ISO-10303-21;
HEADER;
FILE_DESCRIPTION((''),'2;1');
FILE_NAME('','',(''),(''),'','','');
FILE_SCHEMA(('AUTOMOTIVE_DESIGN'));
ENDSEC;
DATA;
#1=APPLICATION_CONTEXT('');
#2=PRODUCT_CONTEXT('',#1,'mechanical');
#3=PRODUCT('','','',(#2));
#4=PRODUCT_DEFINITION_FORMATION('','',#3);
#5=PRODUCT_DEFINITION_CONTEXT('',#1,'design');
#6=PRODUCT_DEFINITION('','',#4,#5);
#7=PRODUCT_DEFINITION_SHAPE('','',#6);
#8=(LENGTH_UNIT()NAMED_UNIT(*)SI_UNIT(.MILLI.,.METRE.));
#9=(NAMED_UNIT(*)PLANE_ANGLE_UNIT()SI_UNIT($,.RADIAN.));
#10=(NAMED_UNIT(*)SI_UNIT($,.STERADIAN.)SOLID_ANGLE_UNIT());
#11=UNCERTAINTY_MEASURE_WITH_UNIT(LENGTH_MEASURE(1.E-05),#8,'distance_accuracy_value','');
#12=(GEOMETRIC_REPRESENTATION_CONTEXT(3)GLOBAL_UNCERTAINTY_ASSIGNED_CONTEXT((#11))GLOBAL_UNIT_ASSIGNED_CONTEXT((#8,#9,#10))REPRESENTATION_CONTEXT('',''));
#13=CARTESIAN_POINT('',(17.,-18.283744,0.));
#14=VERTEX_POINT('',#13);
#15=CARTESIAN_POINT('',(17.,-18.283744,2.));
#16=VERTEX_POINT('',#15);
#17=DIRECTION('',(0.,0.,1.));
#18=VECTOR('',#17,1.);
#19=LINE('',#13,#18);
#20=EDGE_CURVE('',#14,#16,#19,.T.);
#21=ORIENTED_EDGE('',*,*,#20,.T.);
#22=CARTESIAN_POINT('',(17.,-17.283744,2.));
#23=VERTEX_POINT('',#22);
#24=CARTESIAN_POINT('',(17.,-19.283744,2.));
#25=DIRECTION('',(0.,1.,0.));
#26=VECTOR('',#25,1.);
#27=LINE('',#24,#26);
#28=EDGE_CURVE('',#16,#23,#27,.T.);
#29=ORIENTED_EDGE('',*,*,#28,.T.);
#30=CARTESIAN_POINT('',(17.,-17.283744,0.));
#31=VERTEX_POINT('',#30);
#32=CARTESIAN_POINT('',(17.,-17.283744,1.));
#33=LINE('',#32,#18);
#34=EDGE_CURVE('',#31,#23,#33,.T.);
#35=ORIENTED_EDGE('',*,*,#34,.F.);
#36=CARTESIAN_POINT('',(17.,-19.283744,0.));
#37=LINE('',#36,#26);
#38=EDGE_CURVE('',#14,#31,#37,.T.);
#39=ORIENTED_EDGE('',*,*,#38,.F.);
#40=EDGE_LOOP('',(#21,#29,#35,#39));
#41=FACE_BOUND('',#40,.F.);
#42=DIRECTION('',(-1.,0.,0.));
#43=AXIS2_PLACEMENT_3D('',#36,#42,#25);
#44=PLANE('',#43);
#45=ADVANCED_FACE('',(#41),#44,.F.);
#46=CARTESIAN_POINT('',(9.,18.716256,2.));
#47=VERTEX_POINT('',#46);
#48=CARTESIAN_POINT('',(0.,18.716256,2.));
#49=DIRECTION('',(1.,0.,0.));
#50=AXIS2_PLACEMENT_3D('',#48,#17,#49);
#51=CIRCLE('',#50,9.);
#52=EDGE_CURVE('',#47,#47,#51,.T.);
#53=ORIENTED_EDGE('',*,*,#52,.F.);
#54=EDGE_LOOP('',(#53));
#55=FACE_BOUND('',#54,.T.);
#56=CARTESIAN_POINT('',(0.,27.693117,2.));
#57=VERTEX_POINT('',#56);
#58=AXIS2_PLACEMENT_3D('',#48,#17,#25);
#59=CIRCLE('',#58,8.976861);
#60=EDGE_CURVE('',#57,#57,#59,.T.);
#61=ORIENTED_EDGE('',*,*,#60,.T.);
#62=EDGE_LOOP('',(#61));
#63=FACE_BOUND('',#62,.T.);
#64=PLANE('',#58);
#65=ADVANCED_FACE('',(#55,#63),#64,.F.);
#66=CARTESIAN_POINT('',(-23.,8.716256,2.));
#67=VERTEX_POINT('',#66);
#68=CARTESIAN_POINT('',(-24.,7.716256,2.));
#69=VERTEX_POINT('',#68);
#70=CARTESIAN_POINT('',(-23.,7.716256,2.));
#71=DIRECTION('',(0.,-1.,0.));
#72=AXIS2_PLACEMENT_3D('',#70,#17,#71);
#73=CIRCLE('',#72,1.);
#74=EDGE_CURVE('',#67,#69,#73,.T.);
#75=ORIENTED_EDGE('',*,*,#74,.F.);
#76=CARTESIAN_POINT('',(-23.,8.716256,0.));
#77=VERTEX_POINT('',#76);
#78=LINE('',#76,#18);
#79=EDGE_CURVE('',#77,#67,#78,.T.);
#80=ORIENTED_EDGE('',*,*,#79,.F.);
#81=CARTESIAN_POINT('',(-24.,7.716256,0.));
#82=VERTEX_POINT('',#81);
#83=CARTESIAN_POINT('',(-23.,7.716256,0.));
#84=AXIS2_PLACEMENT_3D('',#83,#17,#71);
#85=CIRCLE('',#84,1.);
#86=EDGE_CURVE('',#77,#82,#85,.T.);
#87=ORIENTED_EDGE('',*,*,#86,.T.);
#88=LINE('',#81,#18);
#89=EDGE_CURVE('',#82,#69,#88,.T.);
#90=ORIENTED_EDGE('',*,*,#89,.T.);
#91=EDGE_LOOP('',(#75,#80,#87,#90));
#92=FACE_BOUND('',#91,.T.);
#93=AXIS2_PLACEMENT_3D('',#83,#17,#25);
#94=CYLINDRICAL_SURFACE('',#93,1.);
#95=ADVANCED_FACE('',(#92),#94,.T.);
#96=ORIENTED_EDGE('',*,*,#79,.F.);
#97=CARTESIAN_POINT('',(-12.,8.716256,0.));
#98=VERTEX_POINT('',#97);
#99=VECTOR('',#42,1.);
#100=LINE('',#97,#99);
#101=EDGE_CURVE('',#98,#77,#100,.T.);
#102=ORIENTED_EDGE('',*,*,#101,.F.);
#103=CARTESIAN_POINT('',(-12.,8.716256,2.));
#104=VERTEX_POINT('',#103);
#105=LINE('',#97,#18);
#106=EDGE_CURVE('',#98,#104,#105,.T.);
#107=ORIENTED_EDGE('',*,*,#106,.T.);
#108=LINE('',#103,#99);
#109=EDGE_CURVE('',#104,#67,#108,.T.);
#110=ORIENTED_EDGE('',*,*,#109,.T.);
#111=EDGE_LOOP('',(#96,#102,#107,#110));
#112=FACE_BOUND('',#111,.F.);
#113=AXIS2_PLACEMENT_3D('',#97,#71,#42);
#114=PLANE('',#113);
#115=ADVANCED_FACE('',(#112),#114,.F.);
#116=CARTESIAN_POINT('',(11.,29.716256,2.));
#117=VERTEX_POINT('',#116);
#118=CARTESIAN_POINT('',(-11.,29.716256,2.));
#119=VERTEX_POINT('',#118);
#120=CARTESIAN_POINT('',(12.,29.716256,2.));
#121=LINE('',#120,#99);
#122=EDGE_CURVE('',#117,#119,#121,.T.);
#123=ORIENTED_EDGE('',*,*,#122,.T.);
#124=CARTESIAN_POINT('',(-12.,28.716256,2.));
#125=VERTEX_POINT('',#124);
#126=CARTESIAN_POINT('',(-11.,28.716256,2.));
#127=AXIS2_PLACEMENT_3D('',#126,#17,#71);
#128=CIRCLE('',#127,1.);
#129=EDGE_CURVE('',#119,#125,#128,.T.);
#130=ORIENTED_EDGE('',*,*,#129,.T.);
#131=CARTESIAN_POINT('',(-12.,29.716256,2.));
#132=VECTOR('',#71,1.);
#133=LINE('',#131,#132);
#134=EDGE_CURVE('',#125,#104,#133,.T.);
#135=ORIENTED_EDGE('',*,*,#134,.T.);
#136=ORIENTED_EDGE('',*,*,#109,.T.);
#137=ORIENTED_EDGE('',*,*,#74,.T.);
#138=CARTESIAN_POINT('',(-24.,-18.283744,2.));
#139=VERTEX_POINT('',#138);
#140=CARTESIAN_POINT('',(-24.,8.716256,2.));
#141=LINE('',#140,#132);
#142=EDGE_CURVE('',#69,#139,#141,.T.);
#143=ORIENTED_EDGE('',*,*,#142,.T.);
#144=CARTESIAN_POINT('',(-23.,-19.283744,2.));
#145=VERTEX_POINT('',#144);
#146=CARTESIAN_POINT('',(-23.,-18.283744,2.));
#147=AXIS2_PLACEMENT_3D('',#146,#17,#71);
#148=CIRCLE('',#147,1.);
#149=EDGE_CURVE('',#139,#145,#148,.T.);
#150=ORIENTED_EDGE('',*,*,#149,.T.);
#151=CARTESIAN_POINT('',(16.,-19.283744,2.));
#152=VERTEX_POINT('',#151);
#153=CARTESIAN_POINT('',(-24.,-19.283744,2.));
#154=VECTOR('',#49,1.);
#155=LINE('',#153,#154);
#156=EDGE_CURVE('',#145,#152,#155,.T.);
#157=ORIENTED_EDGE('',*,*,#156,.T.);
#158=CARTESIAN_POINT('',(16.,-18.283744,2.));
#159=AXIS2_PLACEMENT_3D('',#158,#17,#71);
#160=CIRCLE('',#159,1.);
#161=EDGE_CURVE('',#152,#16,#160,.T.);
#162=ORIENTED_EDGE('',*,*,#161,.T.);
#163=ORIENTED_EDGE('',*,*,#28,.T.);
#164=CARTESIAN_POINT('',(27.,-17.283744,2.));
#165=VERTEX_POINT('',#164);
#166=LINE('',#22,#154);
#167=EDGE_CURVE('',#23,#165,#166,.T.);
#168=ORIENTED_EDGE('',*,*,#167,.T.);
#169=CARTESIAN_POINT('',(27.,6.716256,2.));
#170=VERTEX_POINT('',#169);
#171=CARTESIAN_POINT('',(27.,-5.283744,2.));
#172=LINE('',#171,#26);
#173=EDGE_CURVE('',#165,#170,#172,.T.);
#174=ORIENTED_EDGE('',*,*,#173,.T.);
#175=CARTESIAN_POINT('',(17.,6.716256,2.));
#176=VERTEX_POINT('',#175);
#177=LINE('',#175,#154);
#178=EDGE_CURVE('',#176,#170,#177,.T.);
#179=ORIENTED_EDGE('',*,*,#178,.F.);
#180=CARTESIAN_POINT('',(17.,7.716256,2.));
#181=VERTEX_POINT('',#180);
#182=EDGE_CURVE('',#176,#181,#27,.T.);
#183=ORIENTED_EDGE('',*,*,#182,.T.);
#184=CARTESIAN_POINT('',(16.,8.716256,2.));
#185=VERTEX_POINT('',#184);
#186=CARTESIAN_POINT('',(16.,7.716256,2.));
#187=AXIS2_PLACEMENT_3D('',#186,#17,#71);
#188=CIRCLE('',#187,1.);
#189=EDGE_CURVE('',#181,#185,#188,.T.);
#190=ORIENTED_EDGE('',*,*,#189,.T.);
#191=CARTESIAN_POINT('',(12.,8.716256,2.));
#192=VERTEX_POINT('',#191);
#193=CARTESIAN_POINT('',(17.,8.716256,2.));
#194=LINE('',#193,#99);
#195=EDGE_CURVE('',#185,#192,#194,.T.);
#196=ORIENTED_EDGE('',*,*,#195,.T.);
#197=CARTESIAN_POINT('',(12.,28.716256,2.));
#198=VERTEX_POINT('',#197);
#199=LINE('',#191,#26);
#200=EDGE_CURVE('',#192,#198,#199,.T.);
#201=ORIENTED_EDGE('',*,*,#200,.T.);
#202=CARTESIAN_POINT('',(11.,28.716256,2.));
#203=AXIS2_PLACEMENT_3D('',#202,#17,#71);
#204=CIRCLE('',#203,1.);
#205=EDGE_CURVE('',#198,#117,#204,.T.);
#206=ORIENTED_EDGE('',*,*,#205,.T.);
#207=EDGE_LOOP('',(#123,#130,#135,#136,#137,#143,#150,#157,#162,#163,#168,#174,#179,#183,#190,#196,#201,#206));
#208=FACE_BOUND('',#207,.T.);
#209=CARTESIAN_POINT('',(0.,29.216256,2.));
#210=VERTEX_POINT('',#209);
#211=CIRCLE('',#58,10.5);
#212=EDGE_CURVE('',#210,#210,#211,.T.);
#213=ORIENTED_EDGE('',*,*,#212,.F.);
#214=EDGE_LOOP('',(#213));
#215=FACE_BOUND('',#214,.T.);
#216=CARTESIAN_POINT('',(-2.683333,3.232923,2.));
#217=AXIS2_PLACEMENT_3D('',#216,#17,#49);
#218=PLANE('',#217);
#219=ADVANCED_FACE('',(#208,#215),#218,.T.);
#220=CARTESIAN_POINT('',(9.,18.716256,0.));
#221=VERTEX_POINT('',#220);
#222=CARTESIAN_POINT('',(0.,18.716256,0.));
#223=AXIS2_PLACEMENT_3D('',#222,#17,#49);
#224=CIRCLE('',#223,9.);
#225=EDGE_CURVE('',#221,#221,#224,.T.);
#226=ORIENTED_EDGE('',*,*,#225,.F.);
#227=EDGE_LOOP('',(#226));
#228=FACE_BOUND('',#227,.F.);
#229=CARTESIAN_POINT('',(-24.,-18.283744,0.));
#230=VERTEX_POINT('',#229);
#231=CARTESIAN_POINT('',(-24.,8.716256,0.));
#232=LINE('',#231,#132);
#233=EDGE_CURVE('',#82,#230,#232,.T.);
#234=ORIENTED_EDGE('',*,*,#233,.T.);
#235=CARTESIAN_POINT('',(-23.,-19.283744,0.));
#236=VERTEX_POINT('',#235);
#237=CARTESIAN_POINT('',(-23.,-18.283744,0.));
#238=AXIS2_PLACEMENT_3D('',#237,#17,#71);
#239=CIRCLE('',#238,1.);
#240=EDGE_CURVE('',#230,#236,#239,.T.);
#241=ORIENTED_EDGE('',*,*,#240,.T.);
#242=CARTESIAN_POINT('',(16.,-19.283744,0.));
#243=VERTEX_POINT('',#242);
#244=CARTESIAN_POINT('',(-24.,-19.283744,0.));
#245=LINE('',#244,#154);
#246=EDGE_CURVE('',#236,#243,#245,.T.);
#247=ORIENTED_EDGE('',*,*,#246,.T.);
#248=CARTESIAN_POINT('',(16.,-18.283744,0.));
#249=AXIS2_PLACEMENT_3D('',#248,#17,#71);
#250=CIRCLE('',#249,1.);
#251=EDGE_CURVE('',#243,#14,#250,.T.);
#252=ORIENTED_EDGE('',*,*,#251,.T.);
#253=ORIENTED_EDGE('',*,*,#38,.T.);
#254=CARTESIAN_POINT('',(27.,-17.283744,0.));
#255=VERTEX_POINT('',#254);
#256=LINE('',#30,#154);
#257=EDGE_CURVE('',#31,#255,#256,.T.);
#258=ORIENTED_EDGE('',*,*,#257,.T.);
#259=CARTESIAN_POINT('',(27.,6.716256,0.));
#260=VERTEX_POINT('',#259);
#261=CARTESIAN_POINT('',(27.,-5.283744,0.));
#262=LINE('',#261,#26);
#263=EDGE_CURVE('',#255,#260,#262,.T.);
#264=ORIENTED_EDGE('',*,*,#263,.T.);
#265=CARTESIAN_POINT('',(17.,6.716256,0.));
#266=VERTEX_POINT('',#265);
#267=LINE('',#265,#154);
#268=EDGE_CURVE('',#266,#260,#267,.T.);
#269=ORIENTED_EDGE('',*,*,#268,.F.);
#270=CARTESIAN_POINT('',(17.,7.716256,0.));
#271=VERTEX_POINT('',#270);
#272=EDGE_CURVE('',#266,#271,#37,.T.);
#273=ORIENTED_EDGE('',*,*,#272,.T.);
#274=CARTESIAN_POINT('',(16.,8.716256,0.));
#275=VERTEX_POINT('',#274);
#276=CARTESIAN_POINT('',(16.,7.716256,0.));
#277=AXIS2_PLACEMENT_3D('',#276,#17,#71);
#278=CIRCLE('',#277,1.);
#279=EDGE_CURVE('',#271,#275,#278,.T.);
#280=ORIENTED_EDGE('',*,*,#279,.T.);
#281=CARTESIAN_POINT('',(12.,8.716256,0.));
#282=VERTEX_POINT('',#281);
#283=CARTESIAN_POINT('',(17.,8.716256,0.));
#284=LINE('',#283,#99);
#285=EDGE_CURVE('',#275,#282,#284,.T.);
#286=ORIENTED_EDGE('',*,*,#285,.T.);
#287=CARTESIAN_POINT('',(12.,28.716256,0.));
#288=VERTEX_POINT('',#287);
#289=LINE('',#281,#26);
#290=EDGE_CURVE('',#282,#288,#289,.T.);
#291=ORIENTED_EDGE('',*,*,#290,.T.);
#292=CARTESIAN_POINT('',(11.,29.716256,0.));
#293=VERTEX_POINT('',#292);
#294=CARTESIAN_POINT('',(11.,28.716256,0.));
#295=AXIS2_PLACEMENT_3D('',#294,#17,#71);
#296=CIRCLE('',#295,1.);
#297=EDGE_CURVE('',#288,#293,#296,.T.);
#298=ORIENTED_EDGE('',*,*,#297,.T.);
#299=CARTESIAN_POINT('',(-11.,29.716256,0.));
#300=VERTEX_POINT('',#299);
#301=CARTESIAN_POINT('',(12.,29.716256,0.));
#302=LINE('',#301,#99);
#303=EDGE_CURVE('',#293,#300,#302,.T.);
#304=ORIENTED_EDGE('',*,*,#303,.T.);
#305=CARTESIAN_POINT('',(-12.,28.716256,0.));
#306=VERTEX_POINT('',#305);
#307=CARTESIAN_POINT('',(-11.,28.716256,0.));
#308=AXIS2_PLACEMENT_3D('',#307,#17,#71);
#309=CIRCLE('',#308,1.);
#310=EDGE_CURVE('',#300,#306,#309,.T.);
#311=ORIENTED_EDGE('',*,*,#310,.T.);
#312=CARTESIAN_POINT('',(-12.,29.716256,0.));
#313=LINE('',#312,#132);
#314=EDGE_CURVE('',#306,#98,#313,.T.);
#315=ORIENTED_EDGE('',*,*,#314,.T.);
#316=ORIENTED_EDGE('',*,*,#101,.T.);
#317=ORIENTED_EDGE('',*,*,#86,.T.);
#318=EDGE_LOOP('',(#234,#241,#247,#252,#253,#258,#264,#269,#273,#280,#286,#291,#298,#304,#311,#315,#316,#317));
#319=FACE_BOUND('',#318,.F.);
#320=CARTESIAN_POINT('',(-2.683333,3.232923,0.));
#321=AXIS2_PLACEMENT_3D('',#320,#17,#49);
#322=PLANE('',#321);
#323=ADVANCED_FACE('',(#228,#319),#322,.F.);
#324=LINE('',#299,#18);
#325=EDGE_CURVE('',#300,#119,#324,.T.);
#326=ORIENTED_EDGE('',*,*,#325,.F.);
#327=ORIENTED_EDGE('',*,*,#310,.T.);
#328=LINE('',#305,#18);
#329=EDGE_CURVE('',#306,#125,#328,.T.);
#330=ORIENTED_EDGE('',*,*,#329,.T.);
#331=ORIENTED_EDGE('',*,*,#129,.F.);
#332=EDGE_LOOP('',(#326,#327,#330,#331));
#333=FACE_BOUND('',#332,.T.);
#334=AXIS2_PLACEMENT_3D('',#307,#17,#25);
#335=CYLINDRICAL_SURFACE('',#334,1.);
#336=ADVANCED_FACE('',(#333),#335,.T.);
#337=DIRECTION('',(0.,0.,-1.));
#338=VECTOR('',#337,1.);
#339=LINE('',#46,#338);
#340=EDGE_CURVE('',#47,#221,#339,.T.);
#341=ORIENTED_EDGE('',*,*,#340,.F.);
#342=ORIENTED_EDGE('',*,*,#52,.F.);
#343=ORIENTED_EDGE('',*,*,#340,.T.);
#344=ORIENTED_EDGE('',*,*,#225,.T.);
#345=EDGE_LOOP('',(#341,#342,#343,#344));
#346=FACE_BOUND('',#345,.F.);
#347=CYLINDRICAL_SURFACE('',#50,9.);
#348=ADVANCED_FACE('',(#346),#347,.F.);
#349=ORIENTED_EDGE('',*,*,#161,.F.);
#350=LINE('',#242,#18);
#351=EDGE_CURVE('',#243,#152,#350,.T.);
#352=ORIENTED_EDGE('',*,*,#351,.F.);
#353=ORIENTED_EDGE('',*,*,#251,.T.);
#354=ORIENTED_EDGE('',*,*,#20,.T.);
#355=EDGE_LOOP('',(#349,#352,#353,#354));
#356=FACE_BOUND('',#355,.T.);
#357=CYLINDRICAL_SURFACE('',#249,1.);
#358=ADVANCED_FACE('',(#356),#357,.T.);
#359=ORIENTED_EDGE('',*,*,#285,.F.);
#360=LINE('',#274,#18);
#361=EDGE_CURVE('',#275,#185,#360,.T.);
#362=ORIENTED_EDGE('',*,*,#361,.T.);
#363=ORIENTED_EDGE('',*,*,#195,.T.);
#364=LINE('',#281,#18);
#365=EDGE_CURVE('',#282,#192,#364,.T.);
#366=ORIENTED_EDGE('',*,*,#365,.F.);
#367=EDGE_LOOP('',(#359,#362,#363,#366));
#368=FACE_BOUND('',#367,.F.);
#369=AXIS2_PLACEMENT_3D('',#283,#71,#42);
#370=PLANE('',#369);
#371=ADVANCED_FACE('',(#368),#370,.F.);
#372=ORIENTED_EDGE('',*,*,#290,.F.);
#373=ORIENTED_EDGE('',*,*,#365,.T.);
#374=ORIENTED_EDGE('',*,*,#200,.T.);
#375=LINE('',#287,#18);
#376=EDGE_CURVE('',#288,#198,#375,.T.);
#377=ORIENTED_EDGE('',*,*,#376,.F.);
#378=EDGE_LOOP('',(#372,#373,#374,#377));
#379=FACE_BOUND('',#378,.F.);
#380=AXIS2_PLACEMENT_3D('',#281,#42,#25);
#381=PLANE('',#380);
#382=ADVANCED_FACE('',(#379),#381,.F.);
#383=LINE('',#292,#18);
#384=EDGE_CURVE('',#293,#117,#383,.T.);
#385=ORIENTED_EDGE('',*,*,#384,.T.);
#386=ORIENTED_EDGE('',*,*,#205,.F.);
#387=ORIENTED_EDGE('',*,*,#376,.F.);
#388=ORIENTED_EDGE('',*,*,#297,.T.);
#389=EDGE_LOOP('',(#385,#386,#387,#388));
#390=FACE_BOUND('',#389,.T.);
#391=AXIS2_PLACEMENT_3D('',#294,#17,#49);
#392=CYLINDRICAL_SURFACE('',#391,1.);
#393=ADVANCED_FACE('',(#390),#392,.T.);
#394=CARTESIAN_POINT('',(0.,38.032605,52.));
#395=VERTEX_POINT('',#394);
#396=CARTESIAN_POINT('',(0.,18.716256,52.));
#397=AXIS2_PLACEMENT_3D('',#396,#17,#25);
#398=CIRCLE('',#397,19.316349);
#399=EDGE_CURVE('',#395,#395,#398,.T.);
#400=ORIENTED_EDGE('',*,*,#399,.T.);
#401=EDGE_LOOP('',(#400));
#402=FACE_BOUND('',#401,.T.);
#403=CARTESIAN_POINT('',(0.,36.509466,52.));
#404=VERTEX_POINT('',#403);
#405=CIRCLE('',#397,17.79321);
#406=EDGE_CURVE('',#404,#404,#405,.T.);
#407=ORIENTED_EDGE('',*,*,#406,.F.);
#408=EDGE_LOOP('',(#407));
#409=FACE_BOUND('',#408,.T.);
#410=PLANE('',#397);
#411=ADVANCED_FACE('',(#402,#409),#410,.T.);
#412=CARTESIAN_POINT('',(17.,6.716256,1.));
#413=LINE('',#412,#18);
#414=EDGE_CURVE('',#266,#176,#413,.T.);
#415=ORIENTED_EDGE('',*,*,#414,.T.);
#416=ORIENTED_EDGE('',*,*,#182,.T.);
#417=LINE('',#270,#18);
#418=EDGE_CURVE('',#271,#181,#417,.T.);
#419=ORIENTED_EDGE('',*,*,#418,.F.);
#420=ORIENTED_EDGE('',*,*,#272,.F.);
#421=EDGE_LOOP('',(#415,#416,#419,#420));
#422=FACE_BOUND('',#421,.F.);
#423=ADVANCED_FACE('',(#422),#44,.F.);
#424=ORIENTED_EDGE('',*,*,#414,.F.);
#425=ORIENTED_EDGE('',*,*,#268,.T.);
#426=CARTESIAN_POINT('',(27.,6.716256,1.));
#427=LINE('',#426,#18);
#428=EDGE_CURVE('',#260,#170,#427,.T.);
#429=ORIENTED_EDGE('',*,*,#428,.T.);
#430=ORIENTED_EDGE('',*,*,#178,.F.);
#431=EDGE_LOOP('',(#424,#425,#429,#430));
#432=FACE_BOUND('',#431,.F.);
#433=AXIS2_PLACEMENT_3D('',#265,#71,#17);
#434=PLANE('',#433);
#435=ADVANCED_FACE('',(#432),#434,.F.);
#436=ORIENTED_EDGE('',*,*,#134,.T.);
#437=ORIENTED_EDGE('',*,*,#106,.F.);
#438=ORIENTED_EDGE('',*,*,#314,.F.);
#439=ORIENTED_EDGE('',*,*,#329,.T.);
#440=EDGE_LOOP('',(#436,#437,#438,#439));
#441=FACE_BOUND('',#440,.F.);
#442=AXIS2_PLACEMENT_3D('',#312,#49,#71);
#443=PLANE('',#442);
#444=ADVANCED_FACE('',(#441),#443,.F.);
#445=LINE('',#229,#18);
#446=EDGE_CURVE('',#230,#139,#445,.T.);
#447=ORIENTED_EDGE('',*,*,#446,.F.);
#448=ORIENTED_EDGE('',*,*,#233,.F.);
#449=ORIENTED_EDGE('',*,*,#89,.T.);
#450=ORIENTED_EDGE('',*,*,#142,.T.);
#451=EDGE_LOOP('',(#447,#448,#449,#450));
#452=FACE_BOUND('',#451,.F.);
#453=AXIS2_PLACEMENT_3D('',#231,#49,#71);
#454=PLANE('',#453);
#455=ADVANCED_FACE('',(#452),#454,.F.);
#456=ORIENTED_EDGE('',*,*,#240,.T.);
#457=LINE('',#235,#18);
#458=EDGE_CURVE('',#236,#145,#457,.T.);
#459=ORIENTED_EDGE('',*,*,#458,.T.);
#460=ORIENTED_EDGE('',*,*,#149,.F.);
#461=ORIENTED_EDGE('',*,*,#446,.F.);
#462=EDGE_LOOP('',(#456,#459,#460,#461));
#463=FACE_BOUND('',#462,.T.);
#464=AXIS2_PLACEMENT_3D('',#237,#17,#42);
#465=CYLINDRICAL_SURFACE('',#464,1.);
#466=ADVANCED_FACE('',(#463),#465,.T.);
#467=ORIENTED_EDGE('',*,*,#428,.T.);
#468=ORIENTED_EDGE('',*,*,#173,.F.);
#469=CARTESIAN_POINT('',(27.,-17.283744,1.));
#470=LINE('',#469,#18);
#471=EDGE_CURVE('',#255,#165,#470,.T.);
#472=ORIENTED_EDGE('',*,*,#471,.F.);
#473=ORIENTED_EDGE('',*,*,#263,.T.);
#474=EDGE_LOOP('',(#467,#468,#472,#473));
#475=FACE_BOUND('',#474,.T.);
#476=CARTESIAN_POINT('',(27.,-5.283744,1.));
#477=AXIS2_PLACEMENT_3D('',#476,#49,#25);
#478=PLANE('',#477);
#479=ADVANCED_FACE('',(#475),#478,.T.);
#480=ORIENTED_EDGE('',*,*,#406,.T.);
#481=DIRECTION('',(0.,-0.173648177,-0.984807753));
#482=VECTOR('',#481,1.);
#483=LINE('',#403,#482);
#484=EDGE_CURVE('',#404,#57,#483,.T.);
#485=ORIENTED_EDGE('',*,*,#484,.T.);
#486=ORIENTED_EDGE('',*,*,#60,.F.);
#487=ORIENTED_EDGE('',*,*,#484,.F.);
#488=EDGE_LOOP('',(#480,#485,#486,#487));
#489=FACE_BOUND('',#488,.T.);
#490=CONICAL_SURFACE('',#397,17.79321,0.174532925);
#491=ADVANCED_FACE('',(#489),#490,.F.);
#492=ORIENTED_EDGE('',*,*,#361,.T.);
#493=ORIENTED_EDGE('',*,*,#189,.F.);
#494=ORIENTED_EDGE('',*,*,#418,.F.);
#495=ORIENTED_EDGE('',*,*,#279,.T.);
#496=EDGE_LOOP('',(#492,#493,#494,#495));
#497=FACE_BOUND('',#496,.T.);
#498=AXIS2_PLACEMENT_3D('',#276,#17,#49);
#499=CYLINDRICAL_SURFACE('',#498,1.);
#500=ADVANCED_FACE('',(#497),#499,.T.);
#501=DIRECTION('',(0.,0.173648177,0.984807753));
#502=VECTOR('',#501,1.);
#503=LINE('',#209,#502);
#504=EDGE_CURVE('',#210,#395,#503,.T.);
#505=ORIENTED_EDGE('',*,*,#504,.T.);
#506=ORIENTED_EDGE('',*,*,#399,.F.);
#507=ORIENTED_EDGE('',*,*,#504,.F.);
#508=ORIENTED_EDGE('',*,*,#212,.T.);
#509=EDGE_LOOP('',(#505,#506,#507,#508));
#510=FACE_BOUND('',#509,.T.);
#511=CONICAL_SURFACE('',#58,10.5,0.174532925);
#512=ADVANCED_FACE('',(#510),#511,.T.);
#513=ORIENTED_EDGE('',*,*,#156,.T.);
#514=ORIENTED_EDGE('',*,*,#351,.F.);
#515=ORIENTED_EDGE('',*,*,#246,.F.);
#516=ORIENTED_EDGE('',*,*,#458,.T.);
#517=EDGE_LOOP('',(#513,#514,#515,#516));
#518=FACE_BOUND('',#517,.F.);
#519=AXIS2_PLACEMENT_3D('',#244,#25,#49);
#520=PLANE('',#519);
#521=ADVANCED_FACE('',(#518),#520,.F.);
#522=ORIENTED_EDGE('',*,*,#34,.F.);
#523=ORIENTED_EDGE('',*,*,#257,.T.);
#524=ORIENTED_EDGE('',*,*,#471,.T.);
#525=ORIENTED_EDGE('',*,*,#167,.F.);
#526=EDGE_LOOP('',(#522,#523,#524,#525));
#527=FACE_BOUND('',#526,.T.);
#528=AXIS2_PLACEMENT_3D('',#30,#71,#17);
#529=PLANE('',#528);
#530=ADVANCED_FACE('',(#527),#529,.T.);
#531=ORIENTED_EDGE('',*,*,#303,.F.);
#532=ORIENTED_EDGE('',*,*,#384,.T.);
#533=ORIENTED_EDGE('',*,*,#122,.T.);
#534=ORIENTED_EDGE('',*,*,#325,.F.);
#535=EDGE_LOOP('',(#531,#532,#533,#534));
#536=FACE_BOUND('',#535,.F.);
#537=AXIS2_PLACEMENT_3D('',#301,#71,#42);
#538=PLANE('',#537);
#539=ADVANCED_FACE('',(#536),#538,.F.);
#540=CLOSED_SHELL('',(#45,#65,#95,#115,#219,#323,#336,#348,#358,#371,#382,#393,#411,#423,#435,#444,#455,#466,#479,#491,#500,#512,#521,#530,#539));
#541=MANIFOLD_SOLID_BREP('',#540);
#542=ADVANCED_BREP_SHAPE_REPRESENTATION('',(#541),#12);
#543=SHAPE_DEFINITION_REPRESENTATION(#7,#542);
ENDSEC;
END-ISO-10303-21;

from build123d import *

# Parameters (mm, degrees)
F1_DEPTH = 2
F2_R     = 1
F3_R     = 9
F4_DEPTH = 2
F8_W     = 24
F8_H     = 2
F9_DEPTH = 10


with BuildPart() as f1:
    # F0 (on Top) → F1 (new body)
    with BuildSketch(Plane.XY):
        Polygon((-12, 8.716256), (-24, 8.716256), (-24, -19.283744), (17, -19.283744), (17, 8.716256), (12, 8.716256), (12, 29.716256), (-12, 29.716256), align=None)
    extrude(amount=F1_DEPTH)

    # F2
    f2_edges = [f1.edges().sort_by_distance(p)[0] for p in [
        (-24, 8.716256, 1),
        (-12, 29.716256, 1),
        (12, 29.716256, 1),
        (17, 8.716256, 1),
        (17, -19.283744, 1),
        (-24, -19.283744, 1),
    ]]
    fillet(f2_edges, radius=F2_R)

    # F3 (on face) → F4 (cut, through all)
    with BuildSketch(Plane.XY.offset(2)):
        with Locations((0, 18.716256)):
            Circle(F3_R)
    extrude(amount=-F4_DEPTH, mode=Mode.SUBTRACT)

    # F5 (on Right) → F7 (revolve)
    with BuildSketch(Plane.YZ):
        Polygon((36.509466, 52), (27.693117, 2), (29.216256, 2), (38.032605, 52), align=None)
    revolve(axis=Axis((0, 18.716256, 10.515208), (0, 0, 1)))

    # F8 (on face) → F9 (join)
    with BuildSketch(Plane.YZ.offset(17)):
        with Locations((-5.283744, 1)):
            Rectangle(F8_W, F8_H)
    extrude(amount=F9_DEPTH)


solid = f1.part
